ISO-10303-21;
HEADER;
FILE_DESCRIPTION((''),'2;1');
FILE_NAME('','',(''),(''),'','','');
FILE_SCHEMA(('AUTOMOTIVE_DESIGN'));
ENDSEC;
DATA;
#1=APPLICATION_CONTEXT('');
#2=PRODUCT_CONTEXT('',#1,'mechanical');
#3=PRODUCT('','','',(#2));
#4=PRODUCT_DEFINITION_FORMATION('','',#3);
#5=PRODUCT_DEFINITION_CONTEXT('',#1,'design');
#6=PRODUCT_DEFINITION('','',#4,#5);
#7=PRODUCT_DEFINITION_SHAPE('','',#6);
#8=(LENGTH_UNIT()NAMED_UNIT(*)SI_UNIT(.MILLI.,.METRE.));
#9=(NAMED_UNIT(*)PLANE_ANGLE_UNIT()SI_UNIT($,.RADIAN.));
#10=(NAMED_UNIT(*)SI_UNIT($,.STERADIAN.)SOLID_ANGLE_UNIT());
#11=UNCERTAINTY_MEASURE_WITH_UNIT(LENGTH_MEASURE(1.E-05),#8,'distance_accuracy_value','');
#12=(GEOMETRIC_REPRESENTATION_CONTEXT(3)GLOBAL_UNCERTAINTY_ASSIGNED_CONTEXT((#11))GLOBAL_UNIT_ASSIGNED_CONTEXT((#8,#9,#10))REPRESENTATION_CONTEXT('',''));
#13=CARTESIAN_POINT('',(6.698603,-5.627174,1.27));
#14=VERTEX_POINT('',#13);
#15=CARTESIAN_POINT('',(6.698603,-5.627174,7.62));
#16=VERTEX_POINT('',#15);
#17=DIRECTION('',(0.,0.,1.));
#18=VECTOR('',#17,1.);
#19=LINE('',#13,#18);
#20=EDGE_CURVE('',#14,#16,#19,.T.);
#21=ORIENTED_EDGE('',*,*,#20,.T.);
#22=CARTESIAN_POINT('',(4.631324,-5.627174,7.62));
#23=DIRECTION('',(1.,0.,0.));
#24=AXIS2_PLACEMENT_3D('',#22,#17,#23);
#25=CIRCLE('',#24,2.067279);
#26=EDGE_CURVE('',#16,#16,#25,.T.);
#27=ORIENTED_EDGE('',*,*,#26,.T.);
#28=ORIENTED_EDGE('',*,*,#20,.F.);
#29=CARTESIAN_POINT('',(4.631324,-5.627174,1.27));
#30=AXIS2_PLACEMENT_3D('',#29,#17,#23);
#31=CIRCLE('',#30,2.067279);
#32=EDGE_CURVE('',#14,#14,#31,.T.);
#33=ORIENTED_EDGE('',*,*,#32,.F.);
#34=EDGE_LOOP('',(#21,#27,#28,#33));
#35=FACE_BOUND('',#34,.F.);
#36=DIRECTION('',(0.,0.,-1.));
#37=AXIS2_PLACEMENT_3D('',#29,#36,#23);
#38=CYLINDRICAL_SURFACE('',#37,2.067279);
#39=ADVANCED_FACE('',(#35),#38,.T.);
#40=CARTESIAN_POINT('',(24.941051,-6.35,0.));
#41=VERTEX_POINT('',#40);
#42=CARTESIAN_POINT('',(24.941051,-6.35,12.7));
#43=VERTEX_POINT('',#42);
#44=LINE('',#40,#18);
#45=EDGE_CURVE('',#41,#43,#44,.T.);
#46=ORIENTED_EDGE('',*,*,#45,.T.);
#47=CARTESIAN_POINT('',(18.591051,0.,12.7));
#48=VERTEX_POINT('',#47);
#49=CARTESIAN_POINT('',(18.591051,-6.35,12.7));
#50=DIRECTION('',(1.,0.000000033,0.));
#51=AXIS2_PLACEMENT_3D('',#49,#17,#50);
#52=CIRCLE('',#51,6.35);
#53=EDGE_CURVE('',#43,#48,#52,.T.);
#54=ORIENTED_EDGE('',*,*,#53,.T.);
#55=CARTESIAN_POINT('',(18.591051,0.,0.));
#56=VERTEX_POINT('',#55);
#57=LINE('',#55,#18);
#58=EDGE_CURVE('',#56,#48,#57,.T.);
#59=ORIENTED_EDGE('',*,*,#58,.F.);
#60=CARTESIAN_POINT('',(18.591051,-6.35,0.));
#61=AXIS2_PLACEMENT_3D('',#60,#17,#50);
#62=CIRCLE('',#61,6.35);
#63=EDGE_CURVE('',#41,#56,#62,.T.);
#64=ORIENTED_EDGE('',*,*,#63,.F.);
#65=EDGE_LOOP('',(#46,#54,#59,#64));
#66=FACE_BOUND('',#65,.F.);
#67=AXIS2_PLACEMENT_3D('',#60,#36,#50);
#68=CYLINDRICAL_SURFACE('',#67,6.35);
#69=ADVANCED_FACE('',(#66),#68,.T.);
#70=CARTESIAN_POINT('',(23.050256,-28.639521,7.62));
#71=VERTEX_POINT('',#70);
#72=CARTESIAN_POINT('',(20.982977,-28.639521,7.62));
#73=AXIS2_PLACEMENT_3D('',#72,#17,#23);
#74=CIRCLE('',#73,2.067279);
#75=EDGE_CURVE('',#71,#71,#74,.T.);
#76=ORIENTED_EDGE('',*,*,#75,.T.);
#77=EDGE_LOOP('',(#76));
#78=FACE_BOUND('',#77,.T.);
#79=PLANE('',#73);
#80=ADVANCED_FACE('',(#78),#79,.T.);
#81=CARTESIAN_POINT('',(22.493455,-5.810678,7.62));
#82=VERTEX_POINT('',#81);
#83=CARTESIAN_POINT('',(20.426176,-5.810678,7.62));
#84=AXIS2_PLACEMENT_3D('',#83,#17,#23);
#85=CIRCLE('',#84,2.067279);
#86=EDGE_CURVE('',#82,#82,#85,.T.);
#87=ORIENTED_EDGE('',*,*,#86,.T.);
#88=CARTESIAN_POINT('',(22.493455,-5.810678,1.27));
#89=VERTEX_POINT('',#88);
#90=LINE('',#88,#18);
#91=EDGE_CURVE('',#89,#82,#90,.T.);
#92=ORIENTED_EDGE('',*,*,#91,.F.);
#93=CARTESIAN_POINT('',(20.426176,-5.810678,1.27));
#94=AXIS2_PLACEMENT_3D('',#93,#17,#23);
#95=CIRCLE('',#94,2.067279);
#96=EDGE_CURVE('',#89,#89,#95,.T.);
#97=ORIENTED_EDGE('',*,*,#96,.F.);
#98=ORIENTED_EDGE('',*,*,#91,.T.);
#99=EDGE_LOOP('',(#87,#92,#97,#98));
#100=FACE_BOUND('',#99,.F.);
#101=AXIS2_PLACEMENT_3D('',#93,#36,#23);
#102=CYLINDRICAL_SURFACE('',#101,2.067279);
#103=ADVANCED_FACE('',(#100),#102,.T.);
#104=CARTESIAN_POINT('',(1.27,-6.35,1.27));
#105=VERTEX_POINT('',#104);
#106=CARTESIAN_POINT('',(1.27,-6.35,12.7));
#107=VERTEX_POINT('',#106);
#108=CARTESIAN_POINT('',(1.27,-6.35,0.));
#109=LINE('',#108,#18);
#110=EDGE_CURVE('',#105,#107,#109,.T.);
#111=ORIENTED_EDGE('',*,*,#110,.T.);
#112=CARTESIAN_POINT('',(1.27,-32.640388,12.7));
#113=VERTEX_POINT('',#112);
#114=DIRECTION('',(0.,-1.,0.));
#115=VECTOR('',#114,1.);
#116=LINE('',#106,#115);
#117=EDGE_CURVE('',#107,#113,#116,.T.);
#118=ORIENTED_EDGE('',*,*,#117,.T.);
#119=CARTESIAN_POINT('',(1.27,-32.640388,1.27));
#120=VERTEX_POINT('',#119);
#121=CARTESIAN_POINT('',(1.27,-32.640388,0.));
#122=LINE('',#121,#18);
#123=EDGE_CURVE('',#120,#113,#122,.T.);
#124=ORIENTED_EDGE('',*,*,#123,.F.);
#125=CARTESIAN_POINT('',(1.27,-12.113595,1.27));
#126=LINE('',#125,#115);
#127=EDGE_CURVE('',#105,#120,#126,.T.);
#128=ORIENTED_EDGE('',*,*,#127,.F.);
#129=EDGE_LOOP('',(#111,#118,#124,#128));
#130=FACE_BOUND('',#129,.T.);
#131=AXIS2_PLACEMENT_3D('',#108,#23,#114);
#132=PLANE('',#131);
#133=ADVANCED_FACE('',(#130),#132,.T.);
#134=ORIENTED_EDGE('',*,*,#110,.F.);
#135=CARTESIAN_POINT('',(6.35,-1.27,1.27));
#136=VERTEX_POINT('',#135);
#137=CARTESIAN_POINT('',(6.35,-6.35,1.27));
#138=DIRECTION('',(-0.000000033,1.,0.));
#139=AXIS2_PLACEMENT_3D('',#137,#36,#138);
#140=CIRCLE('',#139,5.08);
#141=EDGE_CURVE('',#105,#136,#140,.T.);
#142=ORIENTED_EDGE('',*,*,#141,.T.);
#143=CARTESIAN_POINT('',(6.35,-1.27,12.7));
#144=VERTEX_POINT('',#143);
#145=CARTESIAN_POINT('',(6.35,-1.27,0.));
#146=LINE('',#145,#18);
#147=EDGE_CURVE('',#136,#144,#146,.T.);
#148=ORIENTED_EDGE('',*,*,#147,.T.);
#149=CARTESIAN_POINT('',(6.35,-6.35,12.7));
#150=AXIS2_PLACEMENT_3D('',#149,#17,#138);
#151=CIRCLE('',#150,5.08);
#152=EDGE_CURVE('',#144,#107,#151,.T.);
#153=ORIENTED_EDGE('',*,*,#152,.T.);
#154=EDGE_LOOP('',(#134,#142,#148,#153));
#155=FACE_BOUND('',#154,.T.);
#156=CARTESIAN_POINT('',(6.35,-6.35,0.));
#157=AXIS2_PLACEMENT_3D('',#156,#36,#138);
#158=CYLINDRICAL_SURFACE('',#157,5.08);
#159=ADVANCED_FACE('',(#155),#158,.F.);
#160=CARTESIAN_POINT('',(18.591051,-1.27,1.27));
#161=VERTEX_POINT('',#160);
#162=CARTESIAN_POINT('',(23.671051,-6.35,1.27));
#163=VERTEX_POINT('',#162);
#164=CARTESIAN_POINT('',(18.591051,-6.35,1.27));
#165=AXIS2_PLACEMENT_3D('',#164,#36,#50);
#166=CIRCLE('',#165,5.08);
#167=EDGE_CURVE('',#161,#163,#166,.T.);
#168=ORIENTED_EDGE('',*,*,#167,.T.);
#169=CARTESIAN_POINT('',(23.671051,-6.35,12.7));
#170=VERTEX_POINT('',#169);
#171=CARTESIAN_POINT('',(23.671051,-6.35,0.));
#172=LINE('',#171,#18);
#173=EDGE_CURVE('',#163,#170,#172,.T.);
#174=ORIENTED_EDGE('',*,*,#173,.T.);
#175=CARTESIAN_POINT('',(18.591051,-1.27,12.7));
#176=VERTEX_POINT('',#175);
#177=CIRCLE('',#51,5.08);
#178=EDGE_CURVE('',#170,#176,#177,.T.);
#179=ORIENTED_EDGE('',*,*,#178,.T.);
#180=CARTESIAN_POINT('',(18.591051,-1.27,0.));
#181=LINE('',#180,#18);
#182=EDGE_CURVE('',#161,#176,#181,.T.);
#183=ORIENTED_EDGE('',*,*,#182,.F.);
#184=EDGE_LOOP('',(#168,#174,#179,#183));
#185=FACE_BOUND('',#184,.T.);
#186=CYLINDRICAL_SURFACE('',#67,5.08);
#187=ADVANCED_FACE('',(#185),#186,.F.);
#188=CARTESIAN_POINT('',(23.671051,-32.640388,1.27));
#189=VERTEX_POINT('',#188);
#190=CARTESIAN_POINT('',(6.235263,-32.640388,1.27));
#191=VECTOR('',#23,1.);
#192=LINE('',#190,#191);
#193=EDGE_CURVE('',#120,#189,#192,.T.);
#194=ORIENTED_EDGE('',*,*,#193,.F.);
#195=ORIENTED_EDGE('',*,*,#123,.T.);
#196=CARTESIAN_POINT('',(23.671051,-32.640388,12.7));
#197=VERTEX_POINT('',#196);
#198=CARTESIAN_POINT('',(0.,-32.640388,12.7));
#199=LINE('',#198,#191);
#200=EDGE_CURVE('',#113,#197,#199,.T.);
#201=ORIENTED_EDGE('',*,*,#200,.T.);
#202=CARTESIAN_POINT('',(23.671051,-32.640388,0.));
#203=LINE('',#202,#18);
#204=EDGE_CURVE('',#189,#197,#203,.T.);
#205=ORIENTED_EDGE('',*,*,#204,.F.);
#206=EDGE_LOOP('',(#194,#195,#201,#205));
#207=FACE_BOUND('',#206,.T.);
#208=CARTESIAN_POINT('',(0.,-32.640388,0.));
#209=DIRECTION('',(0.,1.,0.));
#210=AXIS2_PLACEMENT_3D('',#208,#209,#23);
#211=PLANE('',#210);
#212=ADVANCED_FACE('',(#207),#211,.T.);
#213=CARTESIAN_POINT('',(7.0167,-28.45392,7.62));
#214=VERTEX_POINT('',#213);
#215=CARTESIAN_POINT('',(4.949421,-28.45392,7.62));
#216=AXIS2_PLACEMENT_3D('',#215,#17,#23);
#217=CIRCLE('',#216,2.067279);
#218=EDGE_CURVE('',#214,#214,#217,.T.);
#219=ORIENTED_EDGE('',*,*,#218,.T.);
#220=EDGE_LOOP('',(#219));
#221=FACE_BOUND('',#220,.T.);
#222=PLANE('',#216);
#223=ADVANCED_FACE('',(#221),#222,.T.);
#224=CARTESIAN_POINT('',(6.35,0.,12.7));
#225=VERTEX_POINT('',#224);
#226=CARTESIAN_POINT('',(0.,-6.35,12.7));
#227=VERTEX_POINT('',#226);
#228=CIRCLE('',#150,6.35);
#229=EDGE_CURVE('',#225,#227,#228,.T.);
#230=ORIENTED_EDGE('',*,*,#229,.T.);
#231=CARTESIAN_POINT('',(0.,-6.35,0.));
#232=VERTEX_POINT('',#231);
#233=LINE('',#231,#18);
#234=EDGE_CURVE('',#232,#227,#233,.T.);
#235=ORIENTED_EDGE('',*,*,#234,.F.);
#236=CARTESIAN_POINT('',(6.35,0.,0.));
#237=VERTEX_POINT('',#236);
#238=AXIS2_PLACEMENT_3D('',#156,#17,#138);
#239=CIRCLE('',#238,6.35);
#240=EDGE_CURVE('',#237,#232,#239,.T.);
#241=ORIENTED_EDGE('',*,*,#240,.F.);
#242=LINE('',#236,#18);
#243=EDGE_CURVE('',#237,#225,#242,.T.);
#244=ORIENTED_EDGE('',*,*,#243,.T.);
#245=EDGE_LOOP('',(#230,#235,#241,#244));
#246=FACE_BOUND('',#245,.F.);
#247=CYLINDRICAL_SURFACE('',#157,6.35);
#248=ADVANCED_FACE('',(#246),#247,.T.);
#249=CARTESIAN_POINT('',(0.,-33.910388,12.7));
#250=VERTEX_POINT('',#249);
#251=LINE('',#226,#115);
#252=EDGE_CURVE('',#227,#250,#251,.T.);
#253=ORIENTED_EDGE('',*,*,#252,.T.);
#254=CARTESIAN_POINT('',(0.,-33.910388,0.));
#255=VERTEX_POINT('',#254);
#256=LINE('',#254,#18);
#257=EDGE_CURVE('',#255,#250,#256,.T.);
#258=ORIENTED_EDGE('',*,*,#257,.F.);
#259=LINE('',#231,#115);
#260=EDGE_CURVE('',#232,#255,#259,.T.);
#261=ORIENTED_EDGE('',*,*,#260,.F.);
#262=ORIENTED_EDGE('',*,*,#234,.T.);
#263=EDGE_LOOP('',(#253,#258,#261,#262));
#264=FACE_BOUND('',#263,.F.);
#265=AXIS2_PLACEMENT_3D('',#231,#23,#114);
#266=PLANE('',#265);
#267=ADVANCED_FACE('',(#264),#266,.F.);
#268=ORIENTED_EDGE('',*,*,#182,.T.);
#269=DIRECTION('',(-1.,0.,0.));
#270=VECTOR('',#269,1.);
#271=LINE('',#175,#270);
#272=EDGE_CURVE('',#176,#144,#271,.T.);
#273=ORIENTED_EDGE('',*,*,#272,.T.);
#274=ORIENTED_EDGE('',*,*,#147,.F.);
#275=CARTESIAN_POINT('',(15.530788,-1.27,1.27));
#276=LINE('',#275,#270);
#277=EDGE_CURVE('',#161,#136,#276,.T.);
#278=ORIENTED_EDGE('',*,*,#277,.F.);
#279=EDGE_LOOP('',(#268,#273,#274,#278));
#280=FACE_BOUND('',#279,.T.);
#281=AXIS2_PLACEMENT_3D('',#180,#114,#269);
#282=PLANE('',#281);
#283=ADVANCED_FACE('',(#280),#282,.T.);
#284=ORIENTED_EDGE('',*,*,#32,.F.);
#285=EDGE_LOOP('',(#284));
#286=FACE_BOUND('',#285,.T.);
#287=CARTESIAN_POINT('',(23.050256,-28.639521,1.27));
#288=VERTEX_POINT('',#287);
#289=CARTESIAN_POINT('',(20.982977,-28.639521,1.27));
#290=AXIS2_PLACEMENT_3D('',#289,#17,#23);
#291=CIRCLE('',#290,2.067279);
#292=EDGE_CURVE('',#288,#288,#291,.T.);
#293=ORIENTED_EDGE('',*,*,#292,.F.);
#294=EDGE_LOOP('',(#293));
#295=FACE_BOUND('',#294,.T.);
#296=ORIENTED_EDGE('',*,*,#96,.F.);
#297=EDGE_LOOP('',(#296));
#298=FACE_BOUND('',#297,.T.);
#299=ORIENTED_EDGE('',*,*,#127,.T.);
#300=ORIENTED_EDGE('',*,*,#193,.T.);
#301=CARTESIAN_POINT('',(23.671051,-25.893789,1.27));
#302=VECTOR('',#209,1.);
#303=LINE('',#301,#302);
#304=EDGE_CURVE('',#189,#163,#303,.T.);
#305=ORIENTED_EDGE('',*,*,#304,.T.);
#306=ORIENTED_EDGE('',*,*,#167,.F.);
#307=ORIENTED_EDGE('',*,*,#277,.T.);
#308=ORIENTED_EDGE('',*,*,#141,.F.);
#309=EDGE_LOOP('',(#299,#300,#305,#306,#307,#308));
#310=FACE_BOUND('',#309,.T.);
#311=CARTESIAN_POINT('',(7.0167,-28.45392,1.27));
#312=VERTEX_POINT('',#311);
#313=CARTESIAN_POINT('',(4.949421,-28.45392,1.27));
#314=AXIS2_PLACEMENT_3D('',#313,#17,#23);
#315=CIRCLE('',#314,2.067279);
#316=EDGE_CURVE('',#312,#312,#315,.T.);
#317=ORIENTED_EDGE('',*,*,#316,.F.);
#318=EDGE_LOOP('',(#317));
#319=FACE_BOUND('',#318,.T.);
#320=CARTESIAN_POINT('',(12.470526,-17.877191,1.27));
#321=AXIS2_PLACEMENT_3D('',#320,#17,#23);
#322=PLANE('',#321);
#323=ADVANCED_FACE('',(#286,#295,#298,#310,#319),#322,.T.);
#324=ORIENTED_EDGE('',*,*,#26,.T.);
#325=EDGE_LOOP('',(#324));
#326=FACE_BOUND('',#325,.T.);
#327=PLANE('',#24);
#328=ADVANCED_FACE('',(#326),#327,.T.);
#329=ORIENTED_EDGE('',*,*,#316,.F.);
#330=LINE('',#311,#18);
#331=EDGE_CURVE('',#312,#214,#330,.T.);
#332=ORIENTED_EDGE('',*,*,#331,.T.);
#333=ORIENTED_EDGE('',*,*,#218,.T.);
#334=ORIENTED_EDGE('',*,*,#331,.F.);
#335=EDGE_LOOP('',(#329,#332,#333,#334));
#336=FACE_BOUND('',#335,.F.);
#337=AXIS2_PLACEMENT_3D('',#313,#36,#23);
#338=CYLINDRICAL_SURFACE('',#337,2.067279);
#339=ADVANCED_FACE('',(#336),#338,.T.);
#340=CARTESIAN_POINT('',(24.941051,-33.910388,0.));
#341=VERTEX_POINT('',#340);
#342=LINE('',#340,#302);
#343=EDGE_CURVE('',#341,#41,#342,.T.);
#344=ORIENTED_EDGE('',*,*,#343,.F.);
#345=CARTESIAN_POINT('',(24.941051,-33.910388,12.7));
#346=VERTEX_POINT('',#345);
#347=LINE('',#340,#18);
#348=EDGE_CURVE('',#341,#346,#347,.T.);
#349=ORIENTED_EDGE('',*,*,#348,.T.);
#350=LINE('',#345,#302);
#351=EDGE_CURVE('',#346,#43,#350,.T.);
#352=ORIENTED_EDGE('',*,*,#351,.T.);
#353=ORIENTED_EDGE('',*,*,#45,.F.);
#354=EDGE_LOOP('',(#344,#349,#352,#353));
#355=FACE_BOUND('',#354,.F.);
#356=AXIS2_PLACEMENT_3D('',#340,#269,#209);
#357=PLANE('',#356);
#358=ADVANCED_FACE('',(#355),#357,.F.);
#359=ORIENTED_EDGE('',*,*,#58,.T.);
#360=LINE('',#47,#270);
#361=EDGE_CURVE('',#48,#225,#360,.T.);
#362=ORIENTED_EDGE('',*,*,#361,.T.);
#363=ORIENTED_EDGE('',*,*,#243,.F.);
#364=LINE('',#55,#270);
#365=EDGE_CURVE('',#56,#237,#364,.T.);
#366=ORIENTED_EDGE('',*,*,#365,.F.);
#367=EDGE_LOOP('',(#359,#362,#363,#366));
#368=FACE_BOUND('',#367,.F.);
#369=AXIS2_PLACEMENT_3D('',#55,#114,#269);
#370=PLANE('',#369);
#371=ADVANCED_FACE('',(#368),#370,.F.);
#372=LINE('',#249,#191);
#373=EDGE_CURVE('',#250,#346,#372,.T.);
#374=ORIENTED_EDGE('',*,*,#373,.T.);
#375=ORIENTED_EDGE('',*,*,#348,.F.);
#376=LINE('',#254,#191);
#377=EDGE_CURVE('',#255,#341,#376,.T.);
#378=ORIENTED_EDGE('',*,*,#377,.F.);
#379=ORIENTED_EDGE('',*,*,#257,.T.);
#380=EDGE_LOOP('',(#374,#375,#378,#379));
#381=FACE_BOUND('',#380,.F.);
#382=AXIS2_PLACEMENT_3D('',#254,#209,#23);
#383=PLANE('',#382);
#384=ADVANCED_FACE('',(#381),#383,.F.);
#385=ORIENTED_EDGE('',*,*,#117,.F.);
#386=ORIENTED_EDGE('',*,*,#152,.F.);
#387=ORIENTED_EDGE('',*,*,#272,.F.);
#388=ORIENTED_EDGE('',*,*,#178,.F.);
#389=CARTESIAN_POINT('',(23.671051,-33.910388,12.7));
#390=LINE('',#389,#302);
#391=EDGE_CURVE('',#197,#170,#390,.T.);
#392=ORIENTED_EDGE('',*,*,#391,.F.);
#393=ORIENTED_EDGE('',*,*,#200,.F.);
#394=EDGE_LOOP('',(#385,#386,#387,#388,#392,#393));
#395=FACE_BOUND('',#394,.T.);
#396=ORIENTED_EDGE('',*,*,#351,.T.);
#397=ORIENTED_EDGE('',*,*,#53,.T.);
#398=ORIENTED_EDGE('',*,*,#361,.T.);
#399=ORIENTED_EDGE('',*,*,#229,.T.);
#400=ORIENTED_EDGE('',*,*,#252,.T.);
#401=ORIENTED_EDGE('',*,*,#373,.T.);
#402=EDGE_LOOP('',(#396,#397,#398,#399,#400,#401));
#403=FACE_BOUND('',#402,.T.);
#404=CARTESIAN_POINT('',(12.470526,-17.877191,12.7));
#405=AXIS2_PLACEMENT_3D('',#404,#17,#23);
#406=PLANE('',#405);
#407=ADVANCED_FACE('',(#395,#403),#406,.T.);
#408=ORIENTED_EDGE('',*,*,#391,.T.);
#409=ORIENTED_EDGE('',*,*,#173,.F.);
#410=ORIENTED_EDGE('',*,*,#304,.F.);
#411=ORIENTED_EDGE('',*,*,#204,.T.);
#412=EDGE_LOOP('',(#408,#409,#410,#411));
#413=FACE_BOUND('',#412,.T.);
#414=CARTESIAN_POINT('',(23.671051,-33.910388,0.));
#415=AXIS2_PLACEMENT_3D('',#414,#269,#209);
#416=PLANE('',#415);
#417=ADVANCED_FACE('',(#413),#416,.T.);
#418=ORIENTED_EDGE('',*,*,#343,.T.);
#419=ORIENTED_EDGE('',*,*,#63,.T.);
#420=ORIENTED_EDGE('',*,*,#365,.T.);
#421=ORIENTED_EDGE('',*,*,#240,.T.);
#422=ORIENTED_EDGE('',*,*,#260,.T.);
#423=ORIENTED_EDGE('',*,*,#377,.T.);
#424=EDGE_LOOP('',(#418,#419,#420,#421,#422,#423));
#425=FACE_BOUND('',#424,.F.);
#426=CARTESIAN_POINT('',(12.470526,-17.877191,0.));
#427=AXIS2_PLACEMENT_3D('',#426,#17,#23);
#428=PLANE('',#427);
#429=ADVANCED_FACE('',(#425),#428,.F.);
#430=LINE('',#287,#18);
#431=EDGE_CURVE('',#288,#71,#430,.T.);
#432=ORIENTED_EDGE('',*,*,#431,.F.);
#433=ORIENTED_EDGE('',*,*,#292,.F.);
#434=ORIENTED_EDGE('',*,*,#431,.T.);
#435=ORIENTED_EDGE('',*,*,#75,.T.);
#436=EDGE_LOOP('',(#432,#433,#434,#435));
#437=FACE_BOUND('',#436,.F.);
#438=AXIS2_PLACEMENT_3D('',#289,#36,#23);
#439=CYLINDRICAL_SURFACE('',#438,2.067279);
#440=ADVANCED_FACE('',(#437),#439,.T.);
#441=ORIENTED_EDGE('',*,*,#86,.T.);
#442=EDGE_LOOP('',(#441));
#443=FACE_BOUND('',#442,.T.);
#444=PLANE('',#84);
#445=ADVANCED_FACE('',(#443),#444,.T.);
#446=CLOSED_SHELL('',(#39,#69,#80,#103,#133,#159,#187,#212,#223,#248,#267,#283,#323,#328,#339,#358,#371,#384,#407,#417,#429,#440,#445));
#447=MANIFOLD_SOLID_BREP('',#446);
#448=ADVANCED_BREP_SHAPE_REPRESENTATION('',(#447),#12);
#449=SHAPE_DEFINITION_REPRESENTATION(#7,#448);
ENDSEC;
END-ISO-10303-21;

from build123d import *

# Parameters (mm, degrees)
F1_DEPTH = 12.7
F2_T     = -1.27
F3_R     = 2.067279
F4_DEPTH = 6.35
F5_R     = 2.067279
F6_DEPTH = 6.35


with BuildPart() as f1:
    # F0 (on Top) → F1 (new body)
    with BuildSketch(Plane.XY):
        with BuildLine():
            Line((18.591051, 0), (6.35, 0))
            ThreePointArc((6.35, 0), (1.859872, -1.859872), (0, -6.35))
            Line((0, -6.35), (0, -33.910388))
            Line((0, -33.910388), (24.941051, -33.910388))
            Line((24.941051, -33.910388), (24.941051, -6.35))
            ThreePointArc((24.941051, -6.35), (23.081179, -1.859872), (18.591051, 0))
        make_face()
    extrude(amount=F1_DEPTH)

    # F2
    f2_openings = [f1.faces().sort_by_distance(p)[0] for p in [
        (12.470526, -17.279761, 12.7),
    ]]
    offset(amount=F2_T, openings=f2_openings)

    # F3 (on face) → F4 (join)
    with BuildSketch(Plane.XY.offset(1.27)):
        with Locations((4.631324, -5.627174)):
            Circle(F3_R)
    extrude(amount=F4_DEPTH)

    # F5 (on face) → F6 (join)
    with BuildSketch(Plane.XY.offset(1.27)):
        with Locations((4.949421, -28.45392)):
            Circle(F5_R)
        with Locations((20.426176, -5.810678)):
            Circle(F5_R)
        with Locations((20.982977, -28.639521)):
            Circle(F5_R)
    extrude(amount=F6_DEPTH)


solid = f1.part
